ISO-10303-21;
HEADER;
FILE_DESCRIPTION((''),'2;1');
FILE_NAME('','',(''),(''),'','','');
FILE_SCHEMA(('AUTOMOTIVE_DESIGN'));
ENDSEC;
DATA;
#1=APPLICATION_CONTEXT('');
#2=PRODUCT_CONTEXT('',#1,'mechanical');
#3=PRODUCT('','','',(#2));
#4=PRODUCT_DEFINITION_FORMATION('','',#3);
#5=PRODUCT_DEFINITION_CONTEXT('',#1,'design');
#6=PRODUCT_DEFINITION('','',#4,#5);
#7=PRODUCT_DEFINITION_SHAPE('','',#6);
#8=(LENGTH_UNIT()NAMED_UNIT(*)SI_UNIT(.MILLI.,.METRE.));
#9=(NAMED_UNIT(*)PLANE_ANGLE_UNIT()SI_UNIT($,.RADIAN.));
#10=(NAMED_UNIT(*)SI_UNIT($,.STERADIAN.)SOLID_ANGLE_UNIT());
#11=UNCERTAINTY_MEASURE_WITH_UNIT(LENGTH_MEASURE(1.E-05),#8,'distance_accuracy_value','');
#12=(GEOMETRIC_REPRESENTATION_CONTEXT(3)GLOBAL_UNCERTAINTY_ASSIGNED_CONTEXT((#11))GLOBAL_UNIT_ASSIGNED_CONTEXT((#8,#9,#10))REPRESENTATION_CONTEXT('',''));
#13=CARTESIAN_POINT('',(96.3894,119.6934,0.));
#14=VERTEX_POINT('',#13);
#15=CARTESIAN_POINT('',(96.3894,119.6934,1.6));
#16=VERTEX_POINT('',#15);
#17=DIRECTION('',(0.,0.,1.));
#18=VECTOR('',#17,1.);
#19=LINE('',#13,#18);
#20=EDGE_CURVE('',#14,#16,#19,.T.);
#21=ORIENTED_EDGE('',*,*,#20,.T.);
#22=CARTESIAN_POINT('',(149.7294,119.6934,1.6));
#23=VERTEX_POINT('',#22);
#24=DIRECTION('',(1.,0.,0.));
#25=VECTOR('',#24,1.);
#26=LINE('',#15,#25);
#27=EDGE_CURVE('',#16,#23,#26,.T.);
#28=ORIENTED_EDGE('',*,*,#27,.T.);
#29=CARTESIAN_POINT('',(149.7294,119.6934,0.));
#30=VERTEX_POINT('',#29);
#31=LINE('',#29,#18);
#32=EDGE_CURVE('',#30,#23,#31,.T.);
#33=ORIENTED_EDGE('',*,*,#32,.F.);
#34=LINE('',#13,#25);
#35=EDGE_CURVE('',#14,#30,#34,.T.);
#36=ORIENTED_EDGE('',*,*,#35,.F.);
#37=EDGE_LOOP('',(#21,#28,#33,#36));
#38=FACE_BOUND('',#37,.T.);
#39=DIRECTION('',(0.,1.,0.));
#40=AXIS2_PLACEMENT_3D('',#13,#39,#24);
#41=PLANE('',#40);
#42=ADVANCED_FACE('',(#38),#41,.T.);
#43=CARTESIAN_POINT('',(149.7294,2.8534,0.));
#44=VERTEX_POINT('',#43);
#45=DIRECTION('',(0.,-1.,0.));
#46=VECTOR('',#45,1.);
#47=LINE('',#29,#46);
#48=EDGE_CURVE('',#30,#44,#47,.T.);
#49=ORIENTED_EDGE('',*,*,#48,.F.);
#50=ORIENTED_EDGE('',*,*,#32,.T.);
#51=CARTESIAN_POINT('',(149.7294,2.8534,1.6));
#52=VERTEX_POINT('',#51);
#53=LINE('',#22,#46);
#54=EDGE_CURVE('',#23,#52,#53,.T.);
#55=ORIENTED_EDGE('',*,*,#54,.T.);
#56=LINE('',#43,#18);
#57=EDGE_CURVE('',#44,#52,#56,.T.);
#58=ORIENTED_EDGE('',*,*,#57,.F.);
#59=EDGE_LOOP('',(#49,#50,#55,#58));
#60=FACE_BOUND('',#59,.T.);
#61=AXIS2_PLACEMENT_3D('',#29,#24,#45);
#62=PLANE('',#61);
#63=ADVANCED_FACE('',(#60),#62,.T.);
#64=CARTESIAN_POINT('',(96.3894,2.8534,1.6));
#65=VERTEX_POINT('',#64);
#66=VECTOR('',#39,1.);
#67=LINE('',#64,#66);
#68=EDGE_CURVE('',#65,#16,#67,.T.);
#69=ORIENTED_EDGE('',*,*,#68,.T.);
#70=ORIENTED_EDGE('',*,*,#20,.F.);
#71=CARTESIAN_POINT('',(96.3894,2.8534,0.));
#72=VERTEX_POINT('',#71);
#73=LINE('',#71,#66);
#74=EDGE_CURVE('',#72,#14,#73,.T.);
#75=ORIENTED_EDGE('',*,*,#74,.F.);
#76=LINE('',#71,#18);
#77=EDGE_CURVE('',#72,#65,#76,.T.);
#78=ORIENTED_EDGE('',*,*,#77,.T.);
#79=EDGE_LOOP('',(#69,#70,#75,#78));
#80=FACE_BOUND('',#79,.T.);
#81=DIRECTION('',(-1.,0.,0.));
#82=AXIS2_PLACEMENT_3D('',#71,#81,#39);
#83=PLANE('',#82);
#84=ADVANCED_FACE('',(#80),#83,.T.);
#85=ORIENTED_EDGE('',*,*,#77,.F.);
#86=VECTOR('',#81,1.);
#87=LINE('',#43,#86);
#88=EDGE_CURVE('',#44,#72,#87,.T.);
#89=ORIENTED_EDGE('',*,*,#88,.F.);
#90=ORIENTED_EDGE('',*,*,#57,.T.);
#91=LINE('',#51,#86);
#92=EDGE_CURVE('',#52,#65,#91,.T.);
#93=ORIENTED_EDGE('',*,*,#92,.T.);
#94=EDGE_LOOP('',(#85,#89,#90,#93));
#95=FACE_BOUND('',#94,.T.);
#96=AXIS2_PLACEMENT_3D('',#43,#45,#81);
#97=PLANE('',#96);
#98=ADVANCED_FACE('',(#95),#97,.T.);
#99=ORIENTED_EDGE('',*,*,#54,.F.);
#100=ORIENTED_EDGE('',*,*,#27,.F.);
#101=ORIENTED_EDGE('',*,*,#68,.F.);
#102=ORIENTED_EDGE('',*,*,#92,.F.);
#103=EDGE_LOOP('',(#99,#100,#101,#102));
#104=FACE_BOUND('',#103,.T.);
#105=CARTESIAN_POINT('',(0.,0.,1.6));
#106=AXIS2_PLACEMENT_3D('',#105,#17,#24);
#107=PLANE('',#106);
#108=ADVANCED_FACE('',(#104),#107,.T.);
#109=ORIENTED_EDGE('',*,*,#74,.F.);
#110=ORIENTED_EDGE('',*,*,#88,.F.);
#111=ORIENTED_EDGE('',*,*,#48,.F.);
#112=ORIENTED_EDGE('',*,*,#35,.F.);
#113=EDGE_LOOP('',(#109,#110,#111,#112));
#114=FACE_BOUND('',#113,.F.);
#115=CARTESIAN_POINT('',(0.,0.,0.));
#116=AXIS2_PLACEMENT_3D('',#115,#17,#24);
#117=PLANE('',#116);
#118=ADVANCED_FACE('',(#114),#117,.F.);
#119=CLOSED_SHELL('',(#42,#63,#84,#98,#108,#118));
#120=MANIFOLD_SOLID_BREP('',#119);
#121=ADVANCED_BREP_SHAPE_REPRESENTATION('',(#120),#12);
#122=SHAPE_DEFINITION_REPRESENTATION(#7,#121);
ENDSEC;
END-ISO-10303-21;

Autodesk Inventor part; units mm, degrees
ref_plane "YZ Plane" through (0, 0, 0) normal (1, 0, 0) x (0, 1, 0)
ref_plane "XZ Plane" through (0, 0, 0) normal (0, 1, 0) x (-1, 0, 0)
ref_plane "XY Plane" through (0, 0, 0) normal (0, 0, 1) x (1, 0, 0)
sketch "Sketch1" plane through (0, 0, 0) normal (0, 0, 1) x (1, 0, 0)
  line L0 (96.3894, 119.6934) -> (149.7294, 119.6934)
  line L1 (149.7294, 119.6934) -> (149.7294, 2.8534)
  line L2 (149.7294, 2.8534) -> (96.3894, 2.8534)
  line L3 (96.3894, 2.8534) -> (96.3894, 119.6934)
  point P0 (0, 0)
  dimension "d0" = 116.84
  dimension "d1" = 53.34
extrude "Extrusion1" add sketch "Sketch1" along normal blind 1.6
properties part number "Prelim_Board"
